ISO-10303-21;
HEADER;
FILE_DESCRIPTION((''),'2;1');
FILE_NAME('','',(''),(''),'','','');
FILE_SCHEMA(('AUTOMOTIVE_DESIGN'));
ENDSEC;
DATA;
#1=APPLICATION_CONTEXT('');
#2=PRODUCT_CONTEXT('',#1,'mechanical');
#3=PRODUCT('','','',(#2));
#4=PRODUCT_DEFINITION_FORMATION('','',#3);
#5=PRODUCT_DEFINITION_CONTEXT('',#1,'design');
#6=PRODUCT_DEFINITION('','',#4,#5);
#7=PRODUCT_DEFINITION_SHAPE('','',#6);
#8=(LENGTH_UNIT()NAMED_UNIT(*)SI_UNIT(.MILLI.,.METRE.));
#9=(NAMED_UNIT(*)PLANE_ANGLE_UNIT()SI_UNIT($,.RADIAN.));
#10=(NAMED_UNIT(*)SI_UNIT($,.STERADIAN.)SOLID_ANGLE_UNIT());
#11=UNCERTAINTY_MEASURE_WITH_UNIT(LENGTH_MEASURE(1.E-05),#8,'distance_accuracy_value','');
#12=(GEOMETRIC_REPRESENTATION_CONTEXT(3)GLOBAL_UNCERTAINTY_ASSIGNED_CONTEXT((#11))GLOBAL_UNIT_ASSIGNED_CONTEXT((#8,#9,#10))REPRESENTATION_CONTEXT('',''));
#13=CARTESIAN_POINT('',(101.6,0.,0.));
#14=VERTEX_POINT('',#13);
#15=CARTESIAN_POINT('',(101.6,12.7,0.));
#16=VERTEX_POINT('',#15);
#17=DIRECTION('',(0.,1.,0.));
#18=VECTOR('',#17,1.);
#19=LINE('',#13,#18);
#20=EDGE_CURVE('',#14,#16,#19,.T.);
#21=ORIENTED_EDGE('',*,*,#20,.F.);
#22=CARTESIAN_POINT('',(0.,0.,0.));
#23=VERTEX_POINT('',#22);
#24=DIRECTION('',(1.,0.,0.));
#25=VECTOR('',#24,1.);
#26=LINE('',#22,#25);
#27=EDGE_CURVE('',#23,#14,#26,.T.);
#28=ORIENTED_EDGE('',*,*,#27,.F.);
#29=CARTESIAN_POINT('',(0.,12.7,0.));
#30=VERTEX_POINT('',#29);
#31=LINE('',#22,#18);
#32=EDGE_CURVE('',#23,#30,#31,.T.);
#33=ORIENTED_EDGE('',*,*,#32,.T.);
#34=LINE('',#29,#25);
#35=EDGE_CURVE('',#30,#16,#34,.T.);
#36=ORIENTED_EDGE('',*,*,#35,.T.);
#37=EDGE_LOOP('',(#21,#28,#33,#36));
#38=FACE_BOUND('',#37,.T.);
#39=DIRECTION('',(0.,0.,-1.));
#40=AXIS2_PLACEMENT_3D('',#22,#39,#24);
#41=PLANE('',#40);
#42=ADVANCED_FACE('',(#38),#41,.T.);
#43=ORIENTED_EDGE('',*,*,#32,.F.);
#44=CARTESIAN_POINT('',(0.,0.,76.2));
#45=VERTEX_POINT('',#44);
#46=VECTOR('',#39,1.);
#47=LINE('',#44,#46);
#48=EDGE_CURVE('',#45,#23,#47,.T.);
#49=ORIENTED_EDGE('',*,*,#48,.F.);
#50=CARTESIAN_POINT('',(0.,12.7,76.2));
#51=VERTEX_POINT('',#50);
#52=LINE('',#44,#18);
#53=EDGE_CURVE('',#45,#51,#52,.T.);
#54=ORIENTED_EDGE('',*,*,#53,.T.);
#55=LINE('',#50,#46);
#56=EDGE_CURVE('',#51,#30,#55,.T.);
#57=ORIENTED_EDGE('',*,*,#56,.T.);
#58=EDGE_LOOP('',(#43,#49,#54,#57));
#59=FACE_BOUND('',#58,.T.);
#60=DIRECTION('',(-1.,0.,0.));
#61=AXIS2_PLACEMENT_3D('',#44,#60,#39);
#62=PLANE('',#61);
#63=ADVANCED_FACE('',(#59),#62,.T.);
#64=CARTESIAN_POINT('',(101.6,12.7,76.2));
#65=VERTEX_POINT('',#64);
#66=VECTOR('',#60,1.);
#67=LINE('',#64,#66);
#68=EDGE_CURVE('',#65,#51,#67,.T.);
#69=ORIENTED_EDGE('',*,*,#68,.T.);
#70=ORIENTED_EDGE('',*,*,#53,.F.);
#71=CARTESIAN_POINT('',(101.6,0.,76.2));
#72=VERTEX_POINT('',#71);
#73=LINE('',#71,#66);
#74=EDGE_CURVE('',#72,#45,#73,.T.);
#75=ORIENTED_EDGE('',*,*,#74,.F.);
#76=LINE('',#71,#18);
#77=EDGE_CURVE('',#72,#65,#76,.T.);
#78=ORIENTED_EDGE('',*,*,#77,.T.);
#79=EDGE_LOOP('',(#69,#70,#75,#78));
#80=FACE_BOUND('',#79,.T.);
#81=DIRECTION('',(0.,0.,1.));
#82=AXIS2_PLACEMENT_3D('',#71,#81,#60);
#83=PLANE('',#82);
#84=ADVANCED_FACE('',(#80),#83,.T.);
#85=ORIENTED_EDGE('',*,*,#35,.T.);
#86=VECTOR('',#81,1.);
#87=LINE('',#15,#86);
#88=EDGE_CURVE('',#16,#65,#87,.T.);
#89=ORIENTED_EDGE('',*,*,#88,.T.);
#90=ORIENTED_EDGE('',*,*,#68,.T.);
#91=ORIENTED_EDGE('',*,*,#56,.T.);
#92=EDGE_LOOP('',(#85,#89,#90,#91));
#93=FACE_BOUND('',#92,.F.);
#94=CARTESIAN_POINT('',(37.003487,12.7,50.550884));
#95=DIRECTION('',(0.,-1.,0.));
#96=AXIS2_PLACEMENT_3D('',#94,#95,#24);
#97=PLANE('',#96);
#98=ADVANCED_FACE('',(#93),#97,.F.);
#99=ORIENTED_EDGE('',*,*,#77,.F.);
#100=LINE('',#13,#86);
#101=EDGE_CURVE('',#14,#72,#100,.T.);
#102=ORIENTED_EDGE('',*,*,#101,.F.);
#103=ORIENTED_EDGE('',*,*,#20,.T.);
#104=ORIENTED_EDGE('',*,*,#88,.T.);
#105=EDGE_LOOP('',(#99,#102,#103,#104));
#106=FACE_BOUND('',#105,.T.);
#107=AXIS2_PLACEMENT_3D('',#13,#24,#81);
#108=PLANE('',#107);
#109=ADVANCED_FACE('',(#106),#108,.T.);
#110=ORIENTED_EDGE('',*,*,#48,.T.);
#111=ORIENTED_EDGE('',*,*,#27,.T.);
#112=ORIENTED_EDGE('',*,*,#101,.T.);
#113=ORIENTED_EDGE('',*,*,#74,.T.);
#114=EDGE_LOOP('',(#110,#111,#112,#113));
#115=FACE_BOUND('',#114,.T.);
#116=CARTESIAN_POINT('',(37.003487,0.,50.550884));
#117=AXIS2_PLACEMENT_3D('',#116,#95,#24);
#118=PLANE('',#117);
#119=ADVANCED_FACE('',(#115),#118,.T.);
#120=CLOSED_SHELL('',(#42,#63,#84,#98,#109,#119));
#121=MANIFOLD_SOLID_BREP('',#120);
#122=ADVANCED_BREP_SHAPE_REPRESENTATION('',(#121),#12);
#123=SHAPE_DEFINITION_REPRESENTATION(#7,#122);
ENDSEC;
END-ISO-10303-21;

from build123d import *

# Parameters (mm, degrees)
F1_DEPTH = 12.7


with BuildPart() as f1:
    # F0 (on Front) → F1 (new body)
    with BuildSketch(Plane.XZ):
        with BuildLine():
            Line((0, 76.2), (0, 0))
            Line((0, 0), (25.4, 0))
            ThreePointArc((25.4, 0), (47.718463, 53.881537), (101.6, 76.2))
            Line((101.6, 76.2), (0, 76.2))
        make_face()
        with BuildLine():
            ThreePointArc((101.6, 76.2), (47.718463, 53.881537), (25.4, 0))
            Line((25.4, 0), (101.6, 0))
            Line((101.6, 0), (101.6, 76.2))
        make_face()
    extrude(amount=-F1_DEPTH)


solid = f1.part
